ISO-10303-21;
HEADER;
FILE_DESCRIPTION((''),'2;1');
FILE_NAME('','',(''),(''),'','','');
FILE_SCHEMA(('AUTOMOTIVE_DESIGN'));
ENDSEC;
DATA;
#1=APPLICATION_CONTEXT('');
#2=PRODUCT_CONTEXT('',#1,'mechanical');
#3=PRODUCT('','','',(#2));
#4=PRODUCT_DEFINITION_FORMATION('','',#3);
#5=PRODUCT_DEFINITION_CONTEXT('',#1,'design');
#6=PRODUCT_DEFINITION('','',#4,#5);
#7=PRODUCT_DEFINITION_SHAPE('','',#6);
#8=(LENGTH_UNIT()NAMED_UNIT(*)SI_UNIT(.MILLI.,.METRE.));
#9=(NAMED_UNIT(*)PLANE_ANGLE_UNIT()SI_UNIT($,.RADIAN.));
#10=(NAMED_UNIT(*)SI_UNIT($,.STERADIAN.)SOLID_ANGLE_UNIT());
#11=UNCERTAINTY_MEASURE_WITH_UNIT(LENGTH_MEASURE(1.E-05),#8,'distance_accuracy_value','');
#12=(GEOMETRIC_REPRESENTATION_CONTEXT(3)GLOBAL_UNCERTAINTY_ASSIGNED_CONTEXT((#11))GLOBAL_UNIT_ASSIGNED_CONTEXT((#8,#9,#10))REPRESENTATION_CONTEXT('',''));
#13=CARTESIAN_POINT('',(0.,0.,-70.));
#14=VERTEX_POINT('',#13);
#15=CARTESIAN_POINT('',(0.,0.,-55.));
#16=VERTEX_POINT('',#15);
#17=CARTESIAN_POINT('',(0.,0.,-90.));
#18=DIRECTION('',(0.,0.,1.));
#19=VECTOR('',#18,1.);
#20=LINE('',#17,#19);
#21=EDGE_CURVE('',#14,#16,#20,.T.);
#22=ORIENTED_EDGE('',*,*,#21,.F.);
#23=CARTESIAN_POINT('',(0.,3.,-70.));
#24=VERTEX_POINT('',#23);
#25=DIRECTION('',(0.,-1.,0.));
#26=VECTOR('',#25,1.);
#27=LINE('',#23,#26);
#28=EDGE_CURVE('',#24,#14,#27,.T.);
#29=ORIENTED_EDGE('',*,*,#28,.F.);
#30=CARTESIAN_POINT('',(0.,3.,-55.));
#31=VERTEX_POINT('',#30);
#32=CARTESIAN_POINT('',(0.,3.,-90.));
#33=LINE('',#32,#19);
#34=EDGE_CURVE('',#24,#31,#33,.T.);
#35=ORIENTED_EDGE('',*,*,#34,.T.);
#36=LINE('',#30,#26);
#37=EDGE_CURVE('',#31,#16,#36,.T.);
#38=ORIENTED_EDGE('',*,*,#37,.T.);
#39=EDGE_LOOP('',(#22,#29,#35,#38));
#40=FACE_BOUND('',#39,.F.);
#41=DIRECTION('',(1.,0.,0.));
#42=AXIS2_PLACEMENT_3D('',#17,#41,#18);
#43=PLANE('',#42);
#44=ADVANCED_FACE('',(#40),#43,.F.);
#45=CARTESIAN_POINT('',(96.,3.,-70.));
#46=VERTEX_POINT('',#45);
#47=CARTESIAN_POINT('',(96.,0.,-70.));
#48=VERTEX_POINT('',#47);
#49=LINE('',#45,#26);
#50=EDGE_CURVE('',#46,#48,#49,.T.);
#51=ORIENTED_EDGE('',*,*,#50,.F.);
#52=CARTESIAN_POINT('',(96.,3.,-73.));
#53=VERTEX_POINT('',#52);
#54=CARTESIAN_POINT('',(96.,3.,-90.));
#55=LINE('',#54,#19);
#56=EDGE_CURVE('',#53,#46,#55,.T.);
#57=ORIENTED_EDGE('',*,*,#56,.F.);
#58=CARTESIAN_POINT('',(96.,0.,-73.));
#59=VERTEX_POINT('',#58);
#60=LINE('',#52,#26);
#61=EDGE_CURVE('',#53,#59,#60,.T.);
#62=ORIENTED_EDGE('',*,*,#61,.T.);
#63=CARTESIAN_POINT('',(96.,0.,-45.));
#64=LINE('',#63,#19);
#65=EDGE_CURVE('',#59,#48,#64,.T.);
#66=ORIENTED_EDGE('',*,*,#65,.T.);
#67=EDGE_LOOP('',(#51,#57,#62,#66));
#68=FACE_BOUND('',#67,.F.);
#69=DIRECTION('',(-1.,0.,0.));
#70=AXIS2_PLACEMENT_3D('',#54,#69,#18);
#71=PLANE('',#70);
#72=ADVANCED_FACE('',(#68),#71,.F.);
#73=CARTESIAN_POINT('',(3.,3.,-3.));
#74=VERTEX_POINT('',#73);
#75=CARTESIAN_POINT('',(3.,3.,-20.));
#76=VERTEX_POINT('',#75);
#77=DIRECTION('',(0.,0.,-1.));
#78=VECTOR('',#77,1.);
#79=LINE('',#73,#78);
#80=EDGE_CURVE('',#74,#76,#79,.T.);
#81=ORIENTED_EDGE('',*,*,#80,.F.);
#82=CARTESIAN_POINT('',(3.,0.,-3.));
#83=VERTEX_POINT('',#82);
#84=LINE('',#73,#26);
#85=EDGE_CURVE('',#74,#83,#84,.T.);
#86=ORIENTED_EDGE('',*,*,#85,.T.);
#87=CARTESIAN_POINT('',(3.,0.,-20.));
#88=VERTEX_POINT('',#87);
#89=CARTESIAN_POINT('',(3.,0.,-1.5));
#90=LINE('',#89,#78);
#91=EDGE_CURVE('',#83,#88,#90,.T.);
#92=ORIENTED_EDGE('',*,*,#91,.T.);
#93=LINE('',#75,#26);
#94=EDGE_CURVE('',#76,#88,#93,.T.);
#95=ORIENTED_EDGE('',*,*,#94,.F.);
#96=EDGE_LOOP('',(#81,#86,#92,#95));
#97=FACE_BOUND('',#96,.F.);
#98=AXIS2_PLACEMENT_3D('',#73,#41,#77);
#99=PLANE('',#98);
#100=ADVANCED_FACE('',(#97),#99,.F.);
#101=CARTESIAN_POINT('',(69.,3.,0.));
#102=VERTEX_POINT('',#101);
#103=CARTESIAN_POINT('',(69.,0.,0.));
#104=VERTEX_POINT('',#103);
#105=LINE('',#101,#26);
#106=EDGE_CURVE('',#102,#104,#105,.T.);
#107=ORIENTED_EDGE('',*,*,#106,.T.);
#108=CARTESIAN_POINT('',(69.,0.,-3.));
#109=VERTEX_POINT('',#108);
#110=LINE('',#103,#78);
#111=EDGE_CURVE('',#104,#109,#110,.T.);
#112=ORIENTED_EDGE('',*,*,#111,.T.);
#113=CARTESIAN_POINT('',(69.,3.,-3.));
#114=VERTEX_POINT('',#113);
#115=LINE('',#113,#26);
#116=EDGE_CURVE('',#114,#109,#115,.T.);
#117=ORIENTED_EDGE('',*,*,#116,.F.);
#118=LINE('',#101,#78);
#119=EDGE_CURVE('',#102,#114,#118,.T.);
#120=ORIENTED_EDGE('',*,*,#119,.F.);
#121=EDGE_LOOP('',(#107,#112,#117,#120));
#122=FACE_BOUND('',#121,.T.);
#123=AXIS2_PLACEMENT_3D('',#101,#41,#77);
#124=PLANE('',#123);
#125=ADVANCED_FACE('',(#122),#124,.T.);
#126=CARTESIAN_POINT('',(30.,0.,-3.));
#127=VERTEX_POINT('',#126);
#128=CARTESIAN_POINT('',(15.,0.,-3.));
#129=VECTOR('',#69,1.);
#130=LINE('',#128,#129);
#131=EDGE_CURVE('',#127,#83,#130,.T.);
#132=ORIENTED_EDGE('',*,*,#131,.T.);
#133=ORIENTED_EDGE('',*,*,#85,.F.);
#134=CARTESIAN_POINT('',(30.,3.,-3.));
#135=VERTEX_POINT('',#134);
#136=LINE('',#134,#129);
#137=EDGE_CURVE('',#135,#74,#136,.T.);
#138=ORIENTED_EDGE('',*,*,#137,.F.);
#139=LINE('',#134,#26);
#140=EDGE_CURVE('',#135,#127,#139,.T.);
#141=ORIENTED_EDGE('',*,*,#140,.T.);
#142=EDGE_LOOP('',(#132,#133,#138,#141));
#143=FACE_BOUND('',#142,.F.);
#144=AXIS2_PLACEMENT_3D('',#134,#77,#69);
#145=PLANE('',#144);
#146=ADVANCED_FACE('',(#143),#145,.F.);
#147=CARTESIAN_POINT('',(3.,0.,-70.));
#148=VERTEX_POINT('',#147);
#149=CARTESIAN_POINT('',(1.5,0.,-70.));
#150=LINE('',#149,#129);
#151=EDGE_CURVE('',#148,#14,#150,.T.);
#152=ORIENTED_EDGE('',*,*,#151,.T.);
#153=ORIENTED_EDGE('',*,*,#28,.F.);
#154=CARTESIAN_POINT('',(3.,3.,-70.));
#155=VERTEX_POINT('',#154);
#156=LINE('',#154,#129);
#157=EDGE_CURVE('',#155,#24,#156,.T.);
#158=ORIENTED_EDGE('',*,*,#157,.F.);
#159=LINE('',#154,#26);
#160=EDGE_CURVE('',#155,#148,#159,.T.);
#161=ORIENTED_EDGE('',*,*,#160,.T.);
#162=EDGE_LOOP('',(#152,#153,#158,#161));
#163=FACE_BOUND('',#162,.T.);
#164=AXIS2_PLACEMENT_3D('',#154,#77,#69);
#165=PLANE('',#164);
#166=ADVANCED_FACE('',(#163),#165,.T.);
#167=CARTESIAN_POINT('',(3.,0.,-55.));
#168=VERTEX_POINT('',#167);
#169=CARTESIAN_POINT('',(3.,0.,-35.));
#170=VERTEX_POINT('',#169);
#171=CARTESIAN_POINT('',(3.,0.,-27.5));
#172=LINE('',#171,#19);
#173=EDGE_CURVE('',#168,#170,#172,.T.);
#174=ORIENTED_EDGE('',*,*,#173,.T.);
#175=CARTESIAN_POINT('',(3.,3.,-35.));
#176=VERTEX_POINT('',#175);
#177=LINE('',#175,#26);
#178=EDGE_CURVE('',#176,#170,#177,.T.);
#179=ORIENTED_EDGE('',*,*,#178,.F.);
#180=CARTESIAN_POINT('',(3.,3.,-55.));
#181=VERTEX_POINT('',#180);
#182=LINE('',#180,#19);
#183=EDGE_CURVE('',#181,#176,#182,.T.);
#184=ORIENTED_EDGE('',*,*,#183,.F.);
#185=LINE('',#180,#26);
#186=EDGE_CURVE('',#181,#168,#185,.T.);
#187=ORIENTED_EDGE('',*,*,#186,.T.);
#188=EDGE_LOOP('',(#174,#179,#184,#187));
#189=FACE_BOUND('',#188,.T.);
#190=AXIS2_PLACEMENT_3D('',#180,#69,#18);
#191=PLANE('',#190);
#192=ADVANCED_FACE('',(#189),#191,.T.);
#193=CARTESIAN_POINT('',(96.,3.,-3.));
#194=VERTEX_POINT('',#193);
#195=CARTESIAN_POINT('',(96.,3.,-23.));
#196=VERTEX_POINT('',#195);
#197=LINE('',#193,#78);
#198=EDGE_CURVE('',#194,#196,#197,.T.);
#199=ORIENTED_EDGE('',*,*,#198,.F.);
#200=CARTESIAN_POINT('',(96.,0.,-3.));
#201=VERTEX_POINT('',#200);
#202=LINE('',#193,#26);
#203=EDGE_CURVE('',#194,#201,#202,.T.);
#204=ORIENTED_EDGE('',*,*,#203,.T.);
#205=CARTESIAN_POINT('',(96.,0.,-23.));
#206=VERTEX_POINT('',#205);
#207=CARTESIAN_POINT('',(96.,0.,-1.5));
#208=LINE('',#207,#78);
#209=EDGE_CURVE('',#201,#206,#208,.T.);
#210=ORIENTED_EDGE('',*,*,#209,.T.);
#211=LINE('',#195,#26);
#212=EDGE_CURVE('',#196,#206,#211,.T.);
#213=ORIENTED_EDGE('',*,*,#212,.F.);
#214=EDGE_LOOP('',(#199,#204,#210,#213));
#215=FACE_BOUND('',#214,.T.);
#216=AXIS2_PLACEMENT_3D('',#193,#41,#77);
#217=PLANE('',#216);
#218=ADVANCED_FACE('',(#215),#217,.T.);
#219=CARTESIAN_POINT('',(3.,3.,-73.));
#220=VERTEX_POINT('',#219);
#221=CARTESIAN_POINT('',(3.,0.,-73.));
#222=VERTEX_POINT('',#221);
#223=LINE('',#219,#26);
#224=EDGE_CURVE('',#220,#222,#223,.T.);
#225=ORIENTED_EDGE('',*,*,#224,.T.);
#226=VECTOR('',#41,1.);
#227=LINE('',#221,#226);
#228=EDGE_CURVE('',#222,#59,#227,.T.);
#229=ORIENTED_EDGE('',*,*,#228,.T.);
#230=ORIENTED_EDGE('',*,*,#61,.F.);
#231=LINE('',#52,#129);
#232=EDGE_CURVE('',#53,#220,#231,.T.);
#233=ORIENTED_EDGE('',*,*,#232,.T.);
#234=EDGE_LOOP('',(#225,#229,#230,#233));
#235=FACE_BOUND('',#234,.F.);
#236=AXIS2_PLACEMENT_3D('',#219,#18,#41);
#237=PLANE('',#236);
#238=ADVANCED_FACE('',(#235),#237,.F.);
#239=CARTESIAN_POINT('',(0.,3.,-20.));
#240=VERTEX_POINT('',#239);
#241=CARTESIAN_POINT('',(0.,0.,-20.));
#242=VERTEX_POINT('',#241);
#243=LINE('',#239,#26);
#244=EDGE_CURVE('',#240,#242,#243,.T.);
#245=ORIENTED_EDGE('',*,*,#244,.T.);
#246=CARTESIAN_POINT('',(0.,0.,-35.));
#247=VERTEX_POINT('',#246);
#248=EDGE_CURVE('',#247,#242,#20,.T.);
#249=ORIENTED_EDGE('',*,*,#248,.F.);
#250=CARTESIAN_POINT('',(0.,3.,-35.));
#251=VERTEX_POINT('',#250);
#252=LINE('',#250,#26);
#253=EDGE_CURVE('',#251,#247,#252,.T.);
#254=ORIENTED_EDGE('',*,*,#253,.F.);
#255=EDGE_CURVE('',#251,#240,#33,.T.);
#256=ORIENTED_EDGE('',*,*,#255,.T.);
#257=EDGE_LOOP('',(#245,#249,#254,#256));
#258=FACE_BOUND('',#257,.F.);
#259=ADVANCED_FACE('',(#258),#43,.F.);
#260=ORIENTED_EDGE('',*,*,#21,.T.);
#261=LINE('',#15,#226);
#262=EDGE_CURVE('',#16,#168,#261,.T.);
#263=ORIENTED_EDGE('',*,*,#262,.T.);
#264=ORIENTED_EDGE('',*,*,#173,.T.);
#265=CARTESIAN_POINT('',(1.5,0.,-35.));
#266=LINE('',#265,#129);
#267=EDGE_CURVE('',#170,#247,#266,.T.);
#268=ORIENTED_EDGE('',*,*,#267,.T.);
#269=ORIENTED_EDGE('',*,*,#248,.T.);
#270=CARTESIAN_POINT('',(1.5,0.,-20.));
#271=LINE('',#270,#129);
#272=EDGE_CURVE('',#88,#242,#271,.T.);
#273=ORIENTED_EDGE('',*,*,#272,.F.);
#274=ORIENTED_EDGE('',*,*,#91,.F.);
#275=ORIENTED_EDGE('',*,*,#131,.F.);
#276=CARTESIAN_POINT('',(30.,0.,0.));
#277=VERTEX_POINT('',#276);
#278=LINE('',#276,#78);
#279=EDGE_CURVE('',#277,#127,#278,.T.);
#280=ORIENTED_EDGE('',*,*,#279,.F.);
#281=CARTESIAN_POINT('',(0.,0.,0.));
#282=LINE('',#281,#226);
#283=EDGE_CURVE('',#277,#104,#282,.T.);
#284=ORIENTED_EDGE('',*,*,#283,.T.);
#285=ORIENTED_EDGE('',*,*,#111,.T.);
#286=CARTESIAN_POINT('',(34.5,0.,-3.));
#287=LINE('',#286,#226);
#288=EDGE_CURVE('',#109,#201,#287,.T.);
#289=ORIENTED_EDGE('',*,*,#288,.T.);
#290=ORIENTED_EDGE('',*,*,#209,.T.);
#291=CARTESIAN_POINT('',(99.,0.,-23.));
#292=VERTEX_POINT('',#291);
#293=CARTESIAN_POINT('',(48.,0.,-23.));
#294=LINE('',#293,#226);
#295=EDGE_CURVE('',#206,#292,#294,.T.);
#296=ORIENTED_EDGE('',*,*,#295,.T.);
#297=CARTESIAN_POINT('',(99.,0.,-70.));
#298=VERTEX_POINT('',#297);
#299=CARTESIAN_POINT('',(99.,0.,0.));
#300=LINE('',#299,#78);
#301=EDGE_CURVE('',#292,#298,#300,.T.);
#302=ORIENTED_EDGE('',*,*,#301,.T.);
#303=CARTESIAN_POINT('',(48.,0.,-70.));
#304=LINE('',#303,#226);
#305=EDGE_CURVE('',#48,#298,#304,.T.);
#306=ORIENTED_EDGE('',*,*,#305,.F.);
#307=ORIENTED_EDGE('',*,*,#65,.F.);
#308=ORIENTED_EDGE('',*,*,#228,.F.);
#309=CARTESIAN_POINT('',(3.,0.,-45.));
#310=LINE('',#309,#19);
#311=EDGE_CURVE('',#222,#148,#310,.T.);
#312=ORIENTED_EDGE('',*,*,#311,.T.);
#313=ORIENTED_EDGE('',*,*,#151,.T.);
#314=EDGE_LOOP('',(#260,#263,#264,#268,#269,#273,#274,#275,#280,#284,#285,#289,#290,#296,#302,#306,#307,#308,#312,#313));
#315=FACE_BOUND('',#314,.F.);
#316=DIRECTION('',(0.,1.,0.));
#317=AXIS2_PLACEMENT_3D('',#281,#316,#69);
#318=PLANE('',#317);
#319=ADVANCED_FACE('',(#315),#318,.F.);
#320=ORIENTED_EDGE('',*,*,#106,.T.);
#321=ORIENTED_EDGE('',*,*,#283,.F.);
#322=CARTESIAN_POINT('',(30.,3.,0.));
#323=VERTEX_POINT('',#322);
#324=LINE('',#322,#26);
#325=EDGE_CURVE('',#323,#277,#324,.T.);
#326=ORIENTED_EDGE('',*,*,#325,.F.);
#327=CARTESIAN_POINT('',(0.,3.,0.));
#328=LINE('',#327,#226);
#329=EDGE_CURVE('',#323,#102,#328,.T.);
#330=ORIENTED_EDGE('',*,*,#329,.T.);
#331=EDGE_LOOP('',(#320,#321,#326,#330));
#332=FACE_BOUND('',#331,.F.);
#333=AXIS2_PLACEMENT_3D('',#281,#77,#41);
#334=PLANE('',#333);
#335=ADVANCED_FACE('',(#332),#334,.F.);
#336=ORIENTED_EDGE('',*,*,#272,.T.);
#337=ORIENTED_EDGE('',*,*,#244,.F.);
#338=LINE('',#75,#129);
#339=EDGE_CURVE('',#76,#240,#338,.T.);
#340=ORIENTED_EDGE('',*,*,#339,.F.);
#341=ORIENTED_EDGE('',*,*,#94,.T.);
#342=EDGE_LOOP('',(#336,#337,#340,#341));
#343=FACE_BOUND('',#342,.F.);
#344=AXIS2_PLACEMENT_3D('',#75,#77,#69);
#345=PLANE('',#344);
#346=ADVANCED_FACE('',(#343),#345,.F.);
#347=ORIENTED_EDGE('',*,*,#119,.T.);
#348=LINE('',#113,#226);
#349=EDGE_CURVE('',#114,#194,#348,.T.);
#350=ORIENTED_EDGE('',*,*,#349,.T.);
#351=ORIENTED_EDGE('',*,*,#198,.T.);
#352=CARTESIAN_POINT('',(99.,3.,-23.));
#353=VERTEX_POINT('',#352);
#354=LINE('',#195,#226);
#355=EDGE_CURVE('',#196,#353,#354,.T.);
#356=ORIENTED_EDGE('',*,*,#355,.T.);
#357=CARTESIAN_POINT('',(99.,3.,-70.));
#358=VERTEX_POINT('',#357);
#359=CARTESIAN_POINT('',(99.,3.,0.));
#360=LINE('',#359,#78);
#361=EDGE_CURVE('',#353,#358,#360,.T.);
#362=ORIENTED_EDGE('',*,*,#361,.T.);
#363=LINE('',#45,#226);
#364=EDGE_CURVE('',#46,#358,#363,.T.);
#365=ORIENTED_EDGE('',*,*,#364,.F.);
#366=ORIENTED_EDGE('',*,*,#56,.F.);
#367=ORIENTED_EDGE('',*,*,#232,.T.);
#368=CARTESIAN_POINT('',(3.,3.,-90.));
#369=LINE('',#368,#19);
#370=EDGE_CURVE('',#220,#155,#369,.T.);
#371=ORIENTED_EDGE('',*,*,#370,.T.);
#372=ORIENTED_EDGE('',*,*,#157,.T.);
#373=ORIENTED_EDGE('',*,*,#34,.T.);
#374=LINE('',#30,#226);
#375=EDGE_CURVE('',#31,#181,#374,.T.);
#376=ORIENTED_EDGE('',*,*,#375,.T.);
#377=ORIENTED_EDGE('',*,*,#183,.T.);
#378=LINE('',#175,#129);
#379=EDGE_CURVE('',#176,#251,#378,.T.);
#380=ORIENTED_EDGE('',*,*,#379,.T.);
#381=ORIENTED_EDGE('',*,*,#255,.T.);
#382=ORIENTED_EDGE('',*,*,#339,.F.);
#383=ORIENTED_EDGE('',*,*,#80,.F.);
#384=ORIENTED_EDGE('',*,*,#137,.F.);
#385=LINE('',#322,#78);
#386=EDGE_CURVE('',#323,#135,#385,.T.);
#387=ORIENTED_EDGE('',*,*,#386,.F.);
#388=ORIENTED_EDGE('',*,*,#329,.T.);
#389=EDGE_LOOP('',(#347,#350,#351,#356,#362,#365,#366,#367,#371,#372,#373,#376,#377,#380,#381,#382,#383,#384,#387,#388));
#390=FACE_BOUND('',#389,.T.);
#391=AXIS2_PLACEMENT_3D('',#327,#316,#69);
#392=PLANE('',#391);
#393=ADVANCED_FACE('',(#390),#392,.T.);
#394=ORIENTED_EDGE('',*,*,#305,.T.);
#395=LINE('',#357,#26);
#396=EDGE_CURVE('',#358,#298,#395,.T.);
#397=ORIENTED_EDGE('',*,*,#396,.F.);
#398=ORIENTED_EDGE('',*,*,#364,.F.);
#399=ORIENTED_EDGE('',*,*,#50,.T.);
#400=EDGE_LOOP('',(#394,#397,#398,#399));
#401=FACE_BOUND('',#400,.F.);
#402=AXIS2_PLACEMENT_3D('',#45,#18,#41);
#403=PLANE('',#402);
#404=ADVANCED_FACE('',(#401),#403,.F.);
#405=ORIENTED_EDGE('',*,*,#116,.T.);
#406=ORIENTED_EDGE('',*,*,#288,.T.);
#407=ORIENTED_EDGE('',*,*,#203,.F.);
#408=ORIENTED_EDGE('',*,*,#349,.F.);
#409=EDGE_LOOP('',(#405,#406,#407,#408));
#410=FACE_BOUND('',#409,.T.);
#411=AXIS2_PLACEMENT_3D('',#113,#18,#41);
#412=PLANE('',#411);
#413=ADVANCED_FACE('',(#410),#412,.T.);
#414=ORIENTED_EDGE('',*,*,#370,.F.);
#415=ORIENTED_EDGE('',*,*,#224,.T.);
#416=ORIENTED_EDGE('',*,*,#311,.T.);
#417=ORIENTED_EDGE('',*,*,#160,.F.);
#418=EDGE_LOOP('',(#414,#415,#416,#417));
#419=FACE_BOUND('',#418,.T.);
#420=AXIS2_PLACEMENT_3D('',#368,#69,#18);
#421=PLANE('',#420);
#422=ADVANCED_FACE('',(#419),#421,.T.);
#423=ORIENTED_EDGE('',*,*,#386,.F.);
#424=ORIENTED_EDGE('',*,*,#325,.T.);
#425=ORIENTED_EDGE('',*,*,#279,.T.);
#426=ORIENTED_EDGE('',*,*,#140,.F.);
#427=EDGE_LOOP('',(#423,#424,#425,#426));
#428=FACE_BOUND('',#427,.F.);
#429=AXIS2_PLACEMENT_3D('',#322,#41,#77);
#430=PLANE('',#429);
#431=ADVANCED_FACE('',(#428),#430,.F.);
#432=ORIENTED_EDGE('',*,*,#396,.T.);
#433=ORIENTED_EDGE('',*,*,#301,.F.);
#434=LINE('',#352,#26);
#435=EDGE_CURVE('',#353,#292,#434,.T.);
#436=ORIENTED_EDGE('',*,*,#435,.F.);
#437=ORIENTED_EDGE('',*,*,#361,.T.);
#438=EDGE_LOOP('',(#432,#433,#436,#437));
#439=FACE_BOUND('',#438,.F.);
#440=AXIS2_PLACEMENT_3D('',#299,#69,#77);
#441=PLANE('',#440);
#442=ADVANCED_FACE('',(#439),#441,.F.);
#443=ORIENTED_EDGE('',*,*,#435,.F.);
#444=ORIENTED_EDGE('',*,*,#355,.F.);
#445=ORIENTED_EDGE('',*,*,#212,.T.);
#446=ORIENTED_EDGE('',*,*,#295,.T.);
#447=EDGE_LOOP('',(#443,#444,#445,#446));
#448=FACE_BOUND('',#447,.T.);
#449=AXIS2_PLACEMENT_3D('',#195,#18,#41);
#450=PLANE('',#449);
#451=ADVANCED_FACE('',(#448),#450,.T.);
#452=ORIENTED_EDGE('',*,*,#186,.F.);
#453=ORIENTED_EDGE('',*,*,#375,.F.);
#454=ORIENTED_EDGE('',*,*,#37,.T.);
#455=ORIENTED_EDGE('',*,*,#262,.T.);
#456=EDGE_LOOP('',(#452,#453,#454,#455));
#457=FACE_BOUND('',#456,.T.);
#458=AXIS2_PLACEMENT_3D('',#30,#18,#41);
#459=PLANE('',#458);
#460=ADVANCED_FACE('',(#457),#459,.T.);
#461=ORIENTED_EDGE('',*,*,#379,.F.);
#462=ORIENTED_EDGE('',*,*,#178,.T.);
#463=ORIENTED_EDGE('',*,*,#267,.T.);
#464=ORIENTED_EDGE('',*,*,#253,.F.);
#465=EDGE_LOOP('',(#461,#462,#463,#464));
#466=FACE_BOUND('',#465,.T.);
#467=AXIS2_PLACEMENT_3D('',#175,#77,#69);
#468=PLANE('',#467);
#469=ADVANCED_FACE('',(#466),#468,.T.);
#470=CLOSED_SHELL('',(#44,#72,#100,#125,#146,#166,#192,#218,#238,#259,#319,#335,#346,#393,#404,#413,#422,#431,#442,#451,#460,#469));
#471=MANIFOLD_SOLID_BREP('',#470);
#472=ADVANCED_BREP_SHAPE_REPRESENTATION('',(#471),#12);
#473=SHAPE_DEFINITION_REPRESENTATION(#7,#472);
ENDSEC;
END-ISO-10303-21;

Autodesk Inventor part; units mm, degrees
ref_plane "YZ Plane" through (0, 0, 0) normal (1, 0, 0) x (0, 1, 0)
ref_plane "XZ Plane" through (0, 0, 0) normal (0, 1, 0) x (-1, 0, 0)
ref_plane "XY Plane" through (0, 0, 0) normal (0, 0, 1) x (1, 0, 0)
sketch "Sketch1" plane through (0, 0, 0) normal (0, 1, 0) x (-1, 0, 0)
  point P0 (0, 0)
sketch "Sketch2" plane through (0, 0, 0) normal (0, 1, 0) x (-1, 0, 0)
  line L0 (0, 0) -> (-99, 0)
  line L1 (-99, 0) -> (-99, -90)
  line L2 (-99, -90) -> (0, -90)
  line L3 (0, -90) -> (0, 0)
  dimension "d0" = 99
  dimension "d1" = 90
extrude "Extrusion1" add sketch "Sketch2" along normal blind 3
sketch "Sketch3" plane through (0, 3, 0) normal (0, 1, 0) x (1, 0, 0)
  line L0 (99, 0) -> (99, 90) projected
  line L1 (99, 0) -> (69, 0)
  line L2 (69, 0) -> (69, 3)
  line L3 (69, 3) -> (99, 3)
  line L4 (99, 3) -> (99, 0)
  line L5 (0, 0) -> (99, 0) projected
  line L6 (0, 0) -> (30, 0)
  line L7 (30, 0) -> (30, 3)
  line L8 (30, 3) -> (0, 3)
  line L9 (0, 3) -> (0, 0)
  line L10 (0, 3) -> (3, 3)
  line L11 (3, 3) -> (3, 20)
  line L12 (3, 20) -> (0, 20)
  line L13 (0, 20) -> (0, 3)
  line L14 (0, 90) -> (0, 0) projected
  line L15 (99, 3) -> (96, 3)
  line L16 (96, 3) -> (96, 23)
  line L17 (96, 23) -> (99, 23)
  line L18 (99, 23) -> (99, 3)
  line L19 (99, 90) -> (96, 90)
  line L20 (96, 90) -> (96, 70)
  line L21 (96, 70) -> (99, 70)
  line L22 (99, 70) -> (99, 90)
  line L23 (3, 35) -> (0, 35)
  line L24 (0, 35) -> (0, 55)
  line L25 (0, 55) -> (3, 55)
  line L26 (3, 55) -> (3, 35)
  line L27 (99, 90) -> (0, 90) projected
  line L28 (0, 90) -> (3, 90)
  line L29 (3, 90) -> (3, 70)
  line L30 (3, 70) -> (0, 70)
  line L31 (0, 70) -> (0, 90)
  dimension "d4" = 30
  dimension "d5" = 3
  dimension "d6" = 30
  dimension "d7" = 3
  dimension "d8" = 3
  dimension "d9" = 17
  dimension "d12" = 3
  dimension "d13" = 20
  dimension "d14" = 3
  dimension "d15" = 20
  dimension "d16" = 20
  dimension "d17" = 3
  dimension "d18" = 15
  dimension "d19" = 3
  dimension "d20" = 15
extrude "Extrusion2" cut sketch "Sketch3" against normal through all contours L1 L2 L3 L0 | L3 L16 L17 L0 | L5 L9 L8 L7 | L21 L20 L19 L0 | L13 L12 L11 L8 | L29 L30 L14 L27 | L14 L25 L26 L23
sketch "Sketch4" plane through (0, 3, 0) normal (0, 1, 0) x (1, 0, 0)
  line L0 (77.6899, 73) -> (37.1359, 73)
  line L1 (69, 3) -> (96, 3) projected
  line L2 (96, 90) -> (3, 90) projected
  line L3 (3, 90) -> (3, 70) projected
  line L4 (96, 90) -> (3, 90)
  line L5 (3, 90) -> (3, 73)
  line L6 (3, 73) -> (96, 73)
  line L7 (96, 73) -> (96, 90)
  point P0 (0, 0)
  dimension "d23" = 70
  dimension "d24" = 70
extrude "Extrusion3" cut sketch "Sketch4" against normal through all
properties part number "top_left_v2"
